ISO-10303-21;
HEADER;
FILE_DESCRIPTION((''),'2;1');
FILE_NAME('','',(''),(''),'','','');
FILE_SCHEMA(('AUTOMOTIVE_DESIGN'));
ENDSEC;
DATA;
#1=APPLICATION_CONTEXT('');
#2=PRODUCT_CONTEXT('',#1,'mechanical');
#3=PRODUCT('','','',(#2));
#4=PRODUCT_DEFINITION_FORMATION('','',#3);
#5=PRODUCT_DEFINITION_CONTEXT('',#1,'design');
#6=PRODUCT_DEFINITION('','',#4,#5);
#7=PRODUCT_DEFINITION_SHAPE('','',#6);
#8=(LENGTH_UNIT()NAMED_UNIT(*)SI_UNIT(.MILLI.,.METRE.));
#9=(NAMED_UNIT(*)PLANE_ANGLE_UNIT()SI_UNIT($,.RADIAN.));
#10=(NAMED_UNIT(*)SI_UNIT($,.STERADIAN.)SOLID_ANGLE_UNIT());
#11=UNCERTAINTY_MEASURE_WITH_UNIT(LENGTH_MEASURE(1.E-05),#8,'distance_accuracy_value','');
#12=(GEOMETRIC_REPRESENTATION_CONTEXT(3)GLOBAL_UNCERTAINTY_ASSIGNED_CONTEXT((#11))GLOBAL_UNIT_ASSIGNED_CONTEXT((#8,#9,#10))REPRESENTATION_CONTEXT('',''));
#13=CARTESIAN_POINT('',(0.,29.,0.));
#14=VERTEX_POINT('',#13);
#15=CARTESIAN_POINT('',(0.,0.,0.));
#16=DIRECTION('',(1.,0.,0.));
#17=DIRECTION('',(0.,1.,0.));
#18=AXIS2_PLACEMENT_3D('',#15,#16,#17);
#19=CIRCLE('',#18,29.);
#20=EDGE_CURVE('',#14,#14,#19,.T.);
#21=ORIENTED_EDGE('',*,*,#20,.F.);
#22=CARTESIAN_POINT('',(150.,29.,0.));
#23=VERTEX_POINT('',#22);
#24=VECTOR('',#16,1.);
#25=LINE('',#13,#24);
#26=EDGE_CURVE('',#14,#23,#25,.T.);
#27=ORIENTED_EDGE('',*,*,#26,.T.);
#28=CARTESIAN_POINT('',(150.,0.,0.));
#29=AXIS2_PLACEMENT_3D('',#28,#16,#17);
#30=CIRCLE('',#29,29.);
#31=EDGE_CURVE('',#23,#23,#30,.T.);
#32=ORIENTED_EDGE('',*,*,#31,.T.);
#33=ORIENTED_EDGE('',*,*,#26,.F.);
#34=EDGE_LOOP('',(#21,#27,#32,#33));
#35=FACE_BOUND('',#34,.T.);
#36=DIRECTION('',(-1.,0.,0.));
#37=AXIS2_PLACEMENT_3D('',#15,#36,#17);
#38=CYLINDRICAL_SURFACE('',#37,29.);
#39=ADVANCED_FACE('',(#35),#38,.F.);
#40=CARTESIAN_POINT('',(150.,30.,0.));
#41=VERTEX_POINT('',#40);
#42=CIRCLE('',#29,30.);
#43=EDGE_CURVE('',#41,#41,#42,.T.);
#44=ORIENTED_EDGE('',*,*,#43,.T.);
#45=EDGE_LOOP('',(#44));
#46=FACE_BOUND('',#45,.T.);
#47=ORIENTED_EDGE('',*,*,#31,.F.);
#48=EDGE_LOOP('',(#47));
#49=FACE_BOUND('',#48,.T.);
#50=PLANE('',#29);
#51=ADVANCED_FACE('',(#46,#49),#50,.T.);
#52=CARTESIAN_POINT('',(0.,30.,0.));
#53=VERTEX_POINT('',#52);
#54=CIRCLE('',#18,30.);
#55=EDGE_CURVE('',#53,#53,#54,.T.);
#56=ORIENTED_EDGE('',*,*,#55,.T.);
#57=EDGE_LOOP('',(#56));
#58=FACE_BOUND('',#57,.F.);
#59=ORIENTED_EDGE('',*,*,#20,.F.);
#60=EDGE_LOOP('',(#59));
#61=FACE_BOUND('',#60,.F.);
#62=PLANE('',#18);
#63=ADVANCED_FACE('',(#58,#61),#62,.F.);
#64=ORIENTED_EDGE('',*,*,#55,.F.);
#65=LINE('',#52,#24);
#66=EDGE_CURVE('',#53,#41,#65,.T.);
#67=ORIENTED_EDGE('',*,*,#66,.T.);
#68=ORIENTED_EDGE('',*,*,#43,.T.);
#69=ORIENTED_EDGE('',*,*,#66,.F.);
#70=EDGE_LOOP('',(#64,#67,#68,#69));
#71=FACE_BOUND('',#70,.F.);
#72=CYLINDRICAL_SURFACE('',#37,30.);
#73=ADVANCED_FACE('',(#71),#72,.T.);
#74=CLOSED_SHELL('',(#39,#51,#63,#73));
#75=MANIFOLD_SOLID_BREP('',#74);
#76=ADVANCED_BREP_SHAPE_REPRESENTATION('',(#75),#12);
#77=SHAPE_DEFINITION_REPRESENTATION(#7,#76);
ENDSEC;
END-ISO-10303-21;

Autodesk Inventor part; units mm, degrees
ref_plane "YZ Plane" through (0, 0, 0) normal (1, 0, 0) x (0, 1, 0)
ref_plane "XZ Plane" through (0, 0, 0) normal (0, 1, 0) x (-1, 0, 0)
ref_plane "XY Plane" through (0, 0, 0) normal (0, 0, 1) x (1, 0, 0)
sketch "Sketch1" plane through (0, 0, 0) normal (1, 0, 0) x (0, 1, 0)
  circle A0 centre (0, 0) radius 30
  circle A1 centre (0, 0) radius 29
  dimension "d0" = 60
  dimension "d1" = 1
extrude "Extrusion1" add sketch "Sketch1" along normal blind 150
properties part number "Tubo" material "Acrylic, Clear"
